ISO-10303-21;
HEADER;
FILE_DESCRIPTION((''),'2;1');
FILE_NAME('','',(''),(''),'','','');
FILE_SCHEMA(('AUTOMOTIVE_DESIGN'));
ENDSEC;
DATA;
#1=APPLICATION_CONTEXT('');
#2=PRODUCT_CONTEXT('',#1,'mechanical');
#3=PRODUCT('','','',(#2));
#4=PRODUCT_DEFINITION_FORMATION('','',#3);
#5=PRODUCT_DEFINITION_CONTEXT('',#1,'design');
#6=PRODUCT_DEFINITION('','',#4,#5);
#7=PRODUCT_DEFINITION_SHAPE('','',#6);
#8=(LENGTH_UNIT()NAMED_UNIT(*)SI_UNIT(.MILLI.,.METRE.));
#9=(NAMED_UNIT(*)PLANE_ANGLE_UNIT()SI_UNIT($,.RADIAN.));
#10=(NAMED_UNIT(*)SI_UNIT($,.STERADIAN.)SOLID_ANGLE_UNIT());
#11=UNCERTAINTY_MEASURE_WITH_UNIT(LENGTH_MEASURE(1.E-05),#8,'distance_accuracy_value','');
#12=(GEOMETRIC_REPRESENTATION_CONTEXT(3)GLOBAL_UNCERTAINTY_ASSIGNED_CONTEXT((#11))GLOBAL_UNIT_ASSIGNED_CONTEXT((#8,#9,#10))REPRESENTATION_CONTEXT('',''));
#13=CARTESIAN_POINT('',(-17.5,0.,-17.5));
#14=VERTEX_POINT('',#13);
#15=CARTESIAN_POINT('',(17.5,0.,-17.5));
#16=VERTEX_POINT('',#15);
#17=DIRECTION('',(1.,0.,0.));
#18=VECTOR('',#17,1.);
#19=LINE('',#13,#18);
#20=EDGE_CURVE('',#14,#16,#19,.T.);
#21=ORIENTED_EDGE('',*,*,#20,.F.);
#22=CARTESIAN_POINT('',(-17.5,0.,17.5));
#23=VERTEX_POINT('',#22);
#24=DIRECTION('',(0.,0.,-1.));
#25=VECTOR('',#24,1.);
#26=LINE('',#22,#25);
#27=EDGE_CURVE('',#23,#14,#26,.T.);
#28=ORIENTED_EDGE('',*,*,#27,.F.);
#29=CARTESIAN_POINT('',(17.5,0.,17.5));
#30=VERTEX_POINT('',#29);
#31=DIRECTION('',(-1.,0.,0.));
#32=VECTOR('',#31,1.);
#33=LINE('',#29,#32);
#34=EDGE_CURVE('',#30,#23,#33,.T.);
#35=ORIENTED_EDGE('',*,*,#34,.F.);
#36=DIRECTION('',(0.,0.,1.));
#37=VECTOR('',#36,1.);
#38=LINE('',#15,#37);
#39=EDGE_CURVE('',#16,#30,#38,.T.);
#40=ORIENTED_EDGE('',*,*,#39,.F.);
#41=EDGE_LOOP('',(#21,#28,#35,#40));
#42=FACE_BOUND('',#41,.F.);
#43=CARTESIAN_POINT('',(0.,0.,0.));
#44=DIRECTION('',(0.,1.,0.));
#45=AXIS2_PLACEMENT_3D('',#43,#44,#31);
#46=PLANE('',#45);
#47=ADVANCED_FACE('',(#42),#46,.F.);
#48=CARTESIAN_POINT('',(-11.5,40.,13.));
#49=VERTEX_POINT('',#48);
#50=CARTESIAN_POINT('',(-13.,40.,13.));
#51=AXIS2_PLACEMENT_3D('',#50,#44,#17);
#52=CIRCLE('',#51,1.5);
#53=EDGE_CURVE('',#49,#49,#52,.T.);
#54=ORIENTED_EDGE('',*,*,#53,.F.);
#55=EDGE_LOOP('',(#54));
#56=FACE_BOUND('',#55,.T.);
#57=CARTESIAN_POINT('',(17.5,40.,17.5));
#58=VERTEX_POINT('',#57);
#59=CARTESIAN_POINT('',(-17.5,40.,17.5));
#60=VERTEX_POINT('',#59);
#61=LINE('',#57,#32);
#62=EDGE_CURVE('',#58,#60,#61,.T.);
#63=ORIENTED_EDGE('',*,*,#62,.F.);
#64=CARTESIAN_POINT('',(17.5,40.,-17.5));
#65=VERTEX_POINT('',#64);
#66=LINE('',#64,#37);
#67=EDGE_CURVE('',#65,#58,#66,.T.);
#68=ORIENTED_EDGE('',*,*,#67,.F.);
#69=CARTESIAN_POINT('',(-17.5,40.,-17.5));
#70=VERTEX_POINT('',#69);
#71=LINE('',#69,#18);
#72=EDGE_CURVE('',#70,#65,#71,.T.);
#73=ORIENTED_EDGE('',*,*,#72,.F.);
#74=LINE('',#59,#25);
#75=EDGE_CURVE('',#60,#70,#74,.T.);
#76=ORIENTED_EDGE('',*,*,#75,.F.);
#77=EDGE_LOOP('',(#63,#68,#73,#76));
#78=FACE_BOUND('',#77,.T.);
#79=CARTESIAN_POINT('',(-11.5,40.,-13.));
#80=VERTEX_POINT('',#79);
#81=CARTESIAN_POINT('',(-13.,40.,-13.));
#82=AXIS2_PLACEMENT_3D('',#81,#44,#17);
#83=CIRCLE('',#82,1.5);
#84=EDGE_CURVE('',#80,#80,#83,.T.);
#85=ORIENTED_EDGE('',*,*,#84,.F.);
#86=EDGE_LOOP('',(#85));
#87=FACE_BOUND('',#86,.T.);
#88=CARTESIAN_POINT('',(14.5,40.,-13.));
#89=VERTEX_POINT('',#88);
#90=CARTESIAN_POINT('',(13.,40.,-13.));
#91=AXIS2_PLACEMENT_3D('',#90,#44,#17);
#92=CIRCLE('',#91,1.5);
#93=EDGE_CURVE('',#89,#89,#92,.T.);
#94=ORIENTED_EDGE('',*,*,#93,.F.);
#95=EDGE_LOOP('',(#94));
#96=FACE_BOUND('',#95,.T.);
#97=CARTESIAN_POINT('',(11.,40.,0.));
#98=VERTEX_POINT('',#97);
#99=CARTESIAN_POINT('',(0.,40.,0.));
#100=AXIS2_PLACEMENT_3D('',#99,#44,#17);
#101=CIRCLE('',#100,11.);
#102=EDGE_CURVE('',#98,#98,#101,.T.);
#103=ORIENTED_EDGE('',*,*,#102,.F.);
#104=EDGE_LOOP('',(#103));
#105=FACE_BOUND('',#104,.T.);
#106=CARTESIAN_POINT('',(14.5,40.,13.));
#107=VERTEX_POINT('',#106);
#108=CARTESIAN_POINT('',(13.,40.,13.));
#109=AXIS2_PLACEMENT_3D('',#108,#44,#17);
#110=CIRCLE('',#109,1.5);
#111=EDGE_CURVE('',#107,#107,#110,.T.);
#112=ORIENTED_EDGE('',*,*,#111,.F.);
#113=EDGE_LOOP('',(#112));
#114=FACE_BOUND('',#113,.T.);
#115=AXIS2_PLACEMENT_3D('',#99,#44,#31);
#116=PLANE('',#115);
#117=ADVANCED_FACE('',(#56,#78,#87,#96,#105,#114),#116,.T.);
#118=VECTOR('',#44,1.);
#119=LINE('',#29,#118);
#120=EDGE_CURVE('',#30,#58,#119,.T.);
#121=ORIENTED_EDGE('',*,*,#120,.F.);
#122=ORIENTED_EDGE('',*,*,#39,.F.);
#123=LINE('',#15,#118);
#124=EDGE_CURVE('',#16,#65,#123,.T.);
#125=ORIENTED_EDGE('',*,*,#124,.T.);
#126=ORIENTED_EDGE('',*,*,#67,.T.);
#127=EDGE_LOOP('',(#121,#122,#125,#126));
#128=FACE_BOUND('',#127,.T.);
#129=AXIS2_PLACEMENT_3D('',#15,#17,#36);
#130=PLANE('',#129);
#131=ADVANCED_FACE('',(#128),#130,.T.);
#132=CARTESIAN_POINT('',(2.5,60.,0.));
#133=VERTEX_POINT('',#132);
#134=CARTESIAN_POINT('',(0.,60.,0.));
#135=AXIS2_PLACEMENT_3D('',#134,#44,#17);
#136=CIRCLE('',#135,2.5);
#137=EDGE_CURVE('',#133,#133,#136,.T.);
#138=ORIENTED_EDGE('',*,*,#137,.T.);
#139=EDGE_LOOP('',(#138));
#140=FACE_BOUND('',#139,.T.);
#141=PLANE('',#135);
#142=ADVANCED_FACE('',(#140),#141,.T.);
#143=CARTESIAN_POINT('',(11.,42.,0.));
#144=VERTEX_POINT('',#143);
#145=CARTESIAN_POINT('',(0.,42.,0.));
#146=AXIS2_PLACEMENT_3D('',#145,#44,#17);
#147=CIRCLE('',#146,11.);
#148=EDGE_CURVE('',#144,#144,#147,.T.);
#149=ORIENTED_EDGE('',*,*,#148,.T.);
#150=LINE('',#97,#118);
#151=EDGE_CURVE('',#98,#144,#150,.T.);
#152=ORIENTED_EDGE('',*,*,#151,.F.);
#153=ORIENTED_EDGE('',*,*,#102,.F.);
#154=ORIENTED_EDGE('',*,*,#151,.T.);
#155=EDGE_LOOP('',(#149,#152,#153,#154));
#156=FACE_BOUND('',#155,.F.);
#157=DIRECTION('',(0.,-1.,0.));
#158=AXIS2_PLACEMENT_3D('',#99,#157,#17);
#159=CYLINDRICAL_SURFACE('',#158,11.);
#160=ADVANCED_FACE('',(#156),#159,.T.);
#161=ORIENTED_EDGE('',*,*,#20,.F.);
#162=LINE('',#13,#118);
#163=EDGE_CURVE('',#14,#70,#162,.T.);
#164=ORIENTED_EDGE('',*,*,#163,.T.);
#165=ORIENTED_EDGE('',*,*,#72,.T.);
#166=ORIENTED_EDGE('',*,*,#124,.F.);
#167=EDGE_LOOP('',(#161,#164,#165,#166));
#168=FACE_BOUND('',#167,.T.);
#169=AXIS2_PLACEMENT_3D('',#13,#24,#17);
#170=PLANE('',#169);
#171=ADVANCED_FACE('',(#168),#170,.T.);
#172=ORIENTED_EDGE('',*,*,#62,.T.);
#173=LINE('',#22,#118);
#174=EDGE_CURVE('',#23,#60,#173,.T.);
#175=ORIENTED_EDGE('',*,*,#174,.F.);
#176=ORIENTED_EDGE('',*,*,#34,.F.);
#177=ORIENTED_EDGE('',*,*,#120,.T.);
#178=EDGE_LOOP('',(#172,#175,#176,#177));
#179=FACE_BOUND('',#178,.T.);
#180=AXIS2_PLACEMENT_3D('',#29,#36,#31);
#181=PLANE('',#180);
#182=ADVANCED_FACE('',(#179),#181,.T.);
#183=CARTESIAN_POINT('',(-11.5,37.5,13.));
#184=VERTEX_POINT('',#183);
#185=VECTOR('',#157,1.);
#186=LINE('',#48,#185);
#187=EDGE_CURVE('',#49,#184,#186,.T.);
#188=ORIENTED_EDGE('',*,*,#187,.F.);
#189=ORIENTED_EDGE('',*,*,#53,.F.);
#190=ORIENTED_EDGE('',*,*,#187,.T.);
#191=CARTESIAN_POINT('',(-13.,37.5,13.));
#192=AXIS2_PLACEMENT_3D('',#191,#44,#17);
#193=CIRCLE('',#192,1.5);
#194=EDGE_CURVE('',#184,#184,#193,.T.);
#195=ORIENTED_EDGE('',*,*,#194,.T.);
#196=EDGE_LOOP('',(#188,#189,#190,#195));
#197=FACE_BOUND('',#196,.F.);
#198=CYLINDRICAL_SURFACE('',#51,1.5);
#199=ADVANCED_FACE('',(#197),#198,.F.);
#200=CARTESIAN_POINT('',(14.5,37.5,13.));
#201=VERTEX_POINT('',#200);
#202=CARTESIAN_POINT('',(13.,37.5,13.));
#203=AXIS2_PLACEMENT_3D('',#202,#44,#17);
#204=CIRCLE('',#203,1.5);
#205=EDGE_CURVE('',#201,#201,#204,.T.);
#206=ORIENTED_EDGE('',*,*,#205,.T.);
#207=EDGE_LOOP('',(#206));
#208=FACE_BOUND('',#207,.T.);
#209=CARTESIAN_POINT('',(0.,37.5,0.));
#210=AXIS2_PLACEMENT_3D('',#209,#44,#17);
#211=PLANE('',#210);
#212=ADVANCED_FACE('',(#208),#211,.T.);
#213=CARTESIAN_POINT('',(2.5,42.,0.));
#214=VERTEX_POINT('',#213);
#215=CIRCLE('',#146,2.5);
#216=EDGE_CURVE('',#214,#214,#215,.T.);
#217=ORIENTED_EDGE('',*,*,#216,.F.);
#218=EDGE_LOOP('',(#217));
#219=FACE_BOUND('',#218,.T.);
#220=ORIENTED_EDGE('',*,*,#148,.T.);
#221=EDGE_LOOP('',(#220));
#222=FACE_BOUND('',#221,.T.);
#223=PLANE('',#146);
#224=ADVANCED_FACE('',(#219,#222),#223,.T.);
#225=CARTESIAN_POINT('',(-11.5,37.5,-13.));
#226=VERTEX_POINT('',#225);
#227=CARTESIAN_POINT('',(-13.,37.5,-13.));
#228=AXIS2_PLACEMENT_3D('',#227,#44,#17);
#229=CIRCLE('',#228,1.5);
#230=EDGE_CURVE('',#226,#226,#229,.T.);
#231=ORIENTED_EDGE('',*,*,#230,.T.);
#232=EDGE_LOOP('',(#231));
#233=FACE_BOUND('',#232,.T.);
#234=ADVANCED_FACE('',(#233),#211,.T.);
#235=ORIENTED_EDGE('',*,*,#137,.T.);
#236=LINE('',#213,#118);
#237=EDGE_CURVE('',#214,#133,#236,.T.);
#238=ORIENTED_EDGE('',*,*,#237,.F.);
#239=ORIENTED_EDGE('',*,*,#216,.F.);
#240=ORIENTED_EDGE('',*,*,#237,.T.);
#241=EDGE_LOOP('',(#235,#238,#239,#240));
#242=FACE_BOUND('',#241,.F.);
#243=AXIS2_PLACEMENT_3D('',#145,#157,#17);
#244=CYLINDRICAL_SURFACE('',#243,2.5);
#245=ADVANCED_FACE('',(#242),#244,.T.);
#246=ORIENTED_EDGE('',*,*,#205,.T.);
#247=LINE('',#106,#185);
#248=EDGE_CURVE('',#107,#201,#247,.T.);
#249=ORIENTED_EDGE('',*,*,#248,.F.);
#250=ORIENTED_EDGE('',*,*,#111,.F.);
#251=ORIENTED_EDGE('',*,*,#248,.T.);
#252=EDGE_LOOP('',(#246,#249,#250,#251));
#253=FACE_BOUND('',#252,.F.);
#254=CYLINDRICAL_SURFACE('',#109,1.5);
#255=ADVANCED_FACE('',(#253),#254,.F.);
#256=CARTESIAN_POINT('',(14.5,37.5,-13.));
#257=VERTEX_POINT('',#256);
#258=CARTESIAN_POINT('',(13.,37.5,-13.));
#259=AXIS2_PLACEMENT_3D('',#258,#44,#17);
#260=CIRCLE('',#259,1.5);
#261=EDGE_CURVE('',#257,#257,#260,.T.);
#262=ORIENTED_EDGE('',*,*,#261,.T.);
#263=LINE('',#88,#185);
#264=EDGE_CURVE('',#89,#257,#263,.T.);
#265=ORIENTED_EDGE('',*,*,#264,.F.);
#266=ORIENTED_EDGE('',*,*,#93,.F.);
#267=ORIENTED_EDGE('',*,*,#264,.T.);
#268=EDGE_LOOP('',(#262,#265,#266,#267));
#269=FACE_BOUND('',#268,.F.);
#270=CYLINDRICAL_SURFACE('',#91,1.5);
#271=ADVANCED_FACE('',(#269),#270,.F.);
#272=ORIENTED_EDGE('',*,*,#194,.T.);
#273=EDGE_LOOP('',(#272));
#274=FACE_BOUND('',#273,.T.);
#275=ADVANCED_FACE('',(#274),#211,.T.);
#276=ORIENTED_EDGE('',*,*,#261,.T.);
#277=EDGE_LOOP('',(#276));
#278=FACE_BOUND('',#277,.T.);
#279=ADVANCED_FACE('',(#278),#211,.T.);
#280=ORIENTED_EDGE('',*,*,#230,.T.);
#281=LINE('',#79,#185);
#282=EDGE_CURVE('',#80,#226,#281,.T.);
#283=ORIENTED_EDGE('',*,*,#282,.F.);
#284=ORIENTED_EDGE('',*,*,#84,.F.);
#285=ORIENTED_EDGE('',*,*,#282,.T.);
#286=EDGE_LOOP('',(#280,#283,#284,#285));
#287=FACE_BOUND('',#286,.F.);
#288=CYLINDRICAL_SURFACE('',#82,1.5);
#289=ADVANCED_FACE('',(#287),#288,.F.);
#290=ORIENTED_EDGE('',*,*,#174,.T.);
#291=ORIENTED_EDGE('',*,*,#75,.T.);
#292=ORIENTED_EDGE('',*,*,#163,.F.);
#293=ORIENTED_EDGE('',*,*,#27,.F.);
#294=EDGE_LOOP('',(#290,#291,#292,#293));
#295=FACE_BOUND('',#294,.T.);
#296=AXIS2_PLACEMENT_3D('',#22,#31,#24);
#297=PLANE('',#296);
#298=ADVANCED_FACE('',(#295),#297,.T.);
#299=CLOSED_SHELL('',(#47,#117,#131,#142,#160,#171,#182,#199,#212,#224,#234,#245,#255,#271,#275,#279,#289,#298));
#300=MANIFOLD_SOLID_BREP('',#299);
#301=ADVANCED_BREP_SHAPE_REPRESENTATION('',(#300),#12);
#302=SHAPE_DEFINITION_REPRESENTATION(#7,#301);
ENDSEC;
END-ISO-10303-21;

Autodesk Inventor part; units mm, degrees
ref_plane "YZ Plane" through (0, 0, 0) normal (1, 0, 0) x (0, 1, 0)
ref_plane "XZ Plane" through (0, 0, 0) normal (0, 1, 0) x (-1, 0, 0)
ref_plane "XY Plane" through (0, 0, 0) normal (0, 0, 1) x (1, 0, 0)
sketch "草圖1" plane through (0, 0, 0) normal (0, 1, 0) x (-1, 0, 0)
  line L0 (-17.5, 17.5) -> (17.5, 17.5)
  line L1 (17.5, 17.5) -> (17.5, -17.5)
  line L2 (17.5, -17.5) -> (-17.5, -17.5)
  line L3 (-17.5, -17.5) -> (-17.5, 17.5)
  line L4 (-17.5, 17.5) -> (17.5, -17.5) construction
  line L5 (17.5, 17.5) -> (-17.5, -17.5) construction
  point P0 (0, 0)
  dimension "d0" = 35
  dimension "d1" = 35
extrude "擠出1" add sketch "草圖1" along normal blind 40
sketch "草圖2" plane through (0, 40, 0) normal (0, 1, 0) x (1, 0, 0)
  circle A0 centre (0, 0) radius 11
  dimension "d4" = 22
extrude "擠出2" add sketch "草圖2" along normal blind 2
sketch "草圖3" plane through (0, 42, 0) normal (0, 1, 0) x (1, 0, 0)
  circle A0 centre (0, 0) radius 2.5
  dimension "d7" = 5
extrude "擠出3" add sketch "草圖3" along normal blind 18
sketch "草圖4" plane through (0, 40, 0) normal (0, 1, 0) x (1, 0, 0)
  line L0 (13, -13) -> (-13, -13) construction
  line L1 (-13, -13) -> (-13, 13) construction
  line L2 (-13, 13) -> (13, 13) construction
  line L3 (13, 13) -> (13, -13) construction
  line L4 (13, -13) -> (-13, 13) construction
  line L5 (-13, -13) -> (13, 13) construction
  circle A0 centre (-13, -13) radius 1.5
  circle A1 centre (13, -13) radius 1.5
  circle A2 centre (13, 13) radius 1.5
  circle A3 centre (-13, 13) radius 1.5
  point P0 (0, 0)
  dimension "d10" = 26
  dimension "d11" = 26
  dimension "d12" = 3
  dimension "d15" = 360
extrude "擠出4" cut sketch "草圖4" against normal blind 2.5
sketch "草圖5" plane through (0, 0, 0) normal (0, -1, 0) x (1, 0, 0)
  circle A0 centre (0, 0) radius 11 projected
properties part number "35x40 stepper"
